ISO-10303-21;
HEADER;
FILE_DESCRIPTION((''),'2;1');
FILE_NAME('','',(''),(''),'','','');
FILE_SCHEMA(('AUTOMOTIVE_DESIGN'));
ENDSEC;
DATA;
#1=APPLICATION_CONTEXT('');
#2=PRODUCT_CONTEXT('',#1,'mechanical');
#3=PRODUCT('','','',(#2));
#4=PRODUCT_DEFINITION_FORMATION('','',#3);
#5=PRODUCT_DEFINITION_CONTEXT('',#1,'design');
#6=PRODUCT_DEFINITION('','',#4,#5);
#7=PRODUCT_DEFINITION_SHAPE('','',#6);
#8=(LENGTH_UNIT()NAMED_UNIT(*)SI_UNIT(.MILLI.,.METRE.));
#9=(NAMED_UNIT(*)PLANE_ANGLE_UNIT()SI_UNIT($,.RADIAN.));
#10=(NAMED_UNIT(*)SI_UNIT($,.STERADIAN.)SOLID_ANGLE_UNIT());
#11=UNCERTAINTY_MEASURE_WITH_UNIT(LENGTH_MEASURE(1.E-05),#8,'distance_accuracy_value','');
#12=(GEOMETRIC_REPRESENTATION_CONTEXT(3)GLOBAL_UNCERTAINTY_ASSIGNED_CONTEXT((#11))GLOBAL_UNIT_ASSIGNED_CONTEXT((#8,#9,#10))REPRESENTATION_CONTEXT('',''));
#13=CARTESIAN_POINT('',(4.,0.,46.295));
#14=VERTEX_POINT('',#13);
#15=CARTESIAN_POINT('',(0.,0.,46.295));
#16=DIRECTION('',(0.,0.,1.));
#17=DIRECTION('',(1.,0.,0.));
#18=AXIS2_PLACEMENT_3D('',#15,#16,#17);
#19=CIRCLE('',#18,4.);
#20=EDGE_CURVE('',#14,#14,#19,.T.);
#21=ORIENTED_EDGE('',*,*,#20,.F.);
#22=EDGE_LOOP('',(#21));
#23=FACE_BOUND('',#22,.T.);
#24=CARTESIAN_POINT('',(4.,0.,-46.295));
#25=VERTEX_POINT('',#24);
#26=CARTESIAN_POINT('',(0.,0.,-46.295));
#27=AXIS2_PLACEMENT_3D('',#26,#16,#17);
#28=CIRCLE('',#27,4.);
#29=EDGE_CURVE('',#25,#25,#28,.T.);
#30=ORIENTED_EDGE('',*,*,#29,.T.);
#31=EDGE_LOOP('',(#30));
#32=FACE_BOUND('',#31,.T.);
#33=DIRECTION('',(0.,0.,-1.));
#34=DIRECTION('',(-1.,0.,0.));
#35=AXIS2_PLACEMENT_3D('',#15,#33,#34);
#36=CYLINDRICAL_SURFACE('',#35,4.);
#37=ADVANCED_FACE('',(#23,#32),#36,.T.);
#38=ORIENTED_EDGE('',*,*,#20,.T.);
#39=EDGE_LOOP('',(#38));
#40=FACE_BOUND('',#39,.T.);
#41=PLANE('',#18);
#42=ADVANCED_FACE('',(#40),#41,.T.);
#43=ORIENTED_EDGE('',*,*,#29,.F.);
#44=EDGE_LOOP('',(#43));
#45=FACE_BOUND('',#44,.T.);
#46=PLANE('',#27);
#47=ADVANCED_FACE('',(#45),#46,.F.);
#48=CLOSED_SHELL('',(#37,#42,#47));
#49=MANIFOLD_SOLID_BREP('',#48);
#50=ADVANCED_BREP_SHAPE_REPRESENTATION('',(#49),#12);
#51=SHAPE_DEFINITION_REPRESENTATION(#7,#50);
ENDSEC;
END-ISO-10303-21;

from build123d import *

# Parameters (mm, degrees)
ESBO_O1_R                = 4
RESSALTO_EXTRUS_O1_DEPTH = 46.295


with BuildPart() as part:
    # Esboço1 → Ressalto-extrusão1 (new body, symmetric)
    with BuildSketch(Plane.XY):
        Circle(ESBO_O1_R)
    extrude(amount=RESSALTO_EXTRUS_O1_DEPTH, both=True)


solid = part.part
